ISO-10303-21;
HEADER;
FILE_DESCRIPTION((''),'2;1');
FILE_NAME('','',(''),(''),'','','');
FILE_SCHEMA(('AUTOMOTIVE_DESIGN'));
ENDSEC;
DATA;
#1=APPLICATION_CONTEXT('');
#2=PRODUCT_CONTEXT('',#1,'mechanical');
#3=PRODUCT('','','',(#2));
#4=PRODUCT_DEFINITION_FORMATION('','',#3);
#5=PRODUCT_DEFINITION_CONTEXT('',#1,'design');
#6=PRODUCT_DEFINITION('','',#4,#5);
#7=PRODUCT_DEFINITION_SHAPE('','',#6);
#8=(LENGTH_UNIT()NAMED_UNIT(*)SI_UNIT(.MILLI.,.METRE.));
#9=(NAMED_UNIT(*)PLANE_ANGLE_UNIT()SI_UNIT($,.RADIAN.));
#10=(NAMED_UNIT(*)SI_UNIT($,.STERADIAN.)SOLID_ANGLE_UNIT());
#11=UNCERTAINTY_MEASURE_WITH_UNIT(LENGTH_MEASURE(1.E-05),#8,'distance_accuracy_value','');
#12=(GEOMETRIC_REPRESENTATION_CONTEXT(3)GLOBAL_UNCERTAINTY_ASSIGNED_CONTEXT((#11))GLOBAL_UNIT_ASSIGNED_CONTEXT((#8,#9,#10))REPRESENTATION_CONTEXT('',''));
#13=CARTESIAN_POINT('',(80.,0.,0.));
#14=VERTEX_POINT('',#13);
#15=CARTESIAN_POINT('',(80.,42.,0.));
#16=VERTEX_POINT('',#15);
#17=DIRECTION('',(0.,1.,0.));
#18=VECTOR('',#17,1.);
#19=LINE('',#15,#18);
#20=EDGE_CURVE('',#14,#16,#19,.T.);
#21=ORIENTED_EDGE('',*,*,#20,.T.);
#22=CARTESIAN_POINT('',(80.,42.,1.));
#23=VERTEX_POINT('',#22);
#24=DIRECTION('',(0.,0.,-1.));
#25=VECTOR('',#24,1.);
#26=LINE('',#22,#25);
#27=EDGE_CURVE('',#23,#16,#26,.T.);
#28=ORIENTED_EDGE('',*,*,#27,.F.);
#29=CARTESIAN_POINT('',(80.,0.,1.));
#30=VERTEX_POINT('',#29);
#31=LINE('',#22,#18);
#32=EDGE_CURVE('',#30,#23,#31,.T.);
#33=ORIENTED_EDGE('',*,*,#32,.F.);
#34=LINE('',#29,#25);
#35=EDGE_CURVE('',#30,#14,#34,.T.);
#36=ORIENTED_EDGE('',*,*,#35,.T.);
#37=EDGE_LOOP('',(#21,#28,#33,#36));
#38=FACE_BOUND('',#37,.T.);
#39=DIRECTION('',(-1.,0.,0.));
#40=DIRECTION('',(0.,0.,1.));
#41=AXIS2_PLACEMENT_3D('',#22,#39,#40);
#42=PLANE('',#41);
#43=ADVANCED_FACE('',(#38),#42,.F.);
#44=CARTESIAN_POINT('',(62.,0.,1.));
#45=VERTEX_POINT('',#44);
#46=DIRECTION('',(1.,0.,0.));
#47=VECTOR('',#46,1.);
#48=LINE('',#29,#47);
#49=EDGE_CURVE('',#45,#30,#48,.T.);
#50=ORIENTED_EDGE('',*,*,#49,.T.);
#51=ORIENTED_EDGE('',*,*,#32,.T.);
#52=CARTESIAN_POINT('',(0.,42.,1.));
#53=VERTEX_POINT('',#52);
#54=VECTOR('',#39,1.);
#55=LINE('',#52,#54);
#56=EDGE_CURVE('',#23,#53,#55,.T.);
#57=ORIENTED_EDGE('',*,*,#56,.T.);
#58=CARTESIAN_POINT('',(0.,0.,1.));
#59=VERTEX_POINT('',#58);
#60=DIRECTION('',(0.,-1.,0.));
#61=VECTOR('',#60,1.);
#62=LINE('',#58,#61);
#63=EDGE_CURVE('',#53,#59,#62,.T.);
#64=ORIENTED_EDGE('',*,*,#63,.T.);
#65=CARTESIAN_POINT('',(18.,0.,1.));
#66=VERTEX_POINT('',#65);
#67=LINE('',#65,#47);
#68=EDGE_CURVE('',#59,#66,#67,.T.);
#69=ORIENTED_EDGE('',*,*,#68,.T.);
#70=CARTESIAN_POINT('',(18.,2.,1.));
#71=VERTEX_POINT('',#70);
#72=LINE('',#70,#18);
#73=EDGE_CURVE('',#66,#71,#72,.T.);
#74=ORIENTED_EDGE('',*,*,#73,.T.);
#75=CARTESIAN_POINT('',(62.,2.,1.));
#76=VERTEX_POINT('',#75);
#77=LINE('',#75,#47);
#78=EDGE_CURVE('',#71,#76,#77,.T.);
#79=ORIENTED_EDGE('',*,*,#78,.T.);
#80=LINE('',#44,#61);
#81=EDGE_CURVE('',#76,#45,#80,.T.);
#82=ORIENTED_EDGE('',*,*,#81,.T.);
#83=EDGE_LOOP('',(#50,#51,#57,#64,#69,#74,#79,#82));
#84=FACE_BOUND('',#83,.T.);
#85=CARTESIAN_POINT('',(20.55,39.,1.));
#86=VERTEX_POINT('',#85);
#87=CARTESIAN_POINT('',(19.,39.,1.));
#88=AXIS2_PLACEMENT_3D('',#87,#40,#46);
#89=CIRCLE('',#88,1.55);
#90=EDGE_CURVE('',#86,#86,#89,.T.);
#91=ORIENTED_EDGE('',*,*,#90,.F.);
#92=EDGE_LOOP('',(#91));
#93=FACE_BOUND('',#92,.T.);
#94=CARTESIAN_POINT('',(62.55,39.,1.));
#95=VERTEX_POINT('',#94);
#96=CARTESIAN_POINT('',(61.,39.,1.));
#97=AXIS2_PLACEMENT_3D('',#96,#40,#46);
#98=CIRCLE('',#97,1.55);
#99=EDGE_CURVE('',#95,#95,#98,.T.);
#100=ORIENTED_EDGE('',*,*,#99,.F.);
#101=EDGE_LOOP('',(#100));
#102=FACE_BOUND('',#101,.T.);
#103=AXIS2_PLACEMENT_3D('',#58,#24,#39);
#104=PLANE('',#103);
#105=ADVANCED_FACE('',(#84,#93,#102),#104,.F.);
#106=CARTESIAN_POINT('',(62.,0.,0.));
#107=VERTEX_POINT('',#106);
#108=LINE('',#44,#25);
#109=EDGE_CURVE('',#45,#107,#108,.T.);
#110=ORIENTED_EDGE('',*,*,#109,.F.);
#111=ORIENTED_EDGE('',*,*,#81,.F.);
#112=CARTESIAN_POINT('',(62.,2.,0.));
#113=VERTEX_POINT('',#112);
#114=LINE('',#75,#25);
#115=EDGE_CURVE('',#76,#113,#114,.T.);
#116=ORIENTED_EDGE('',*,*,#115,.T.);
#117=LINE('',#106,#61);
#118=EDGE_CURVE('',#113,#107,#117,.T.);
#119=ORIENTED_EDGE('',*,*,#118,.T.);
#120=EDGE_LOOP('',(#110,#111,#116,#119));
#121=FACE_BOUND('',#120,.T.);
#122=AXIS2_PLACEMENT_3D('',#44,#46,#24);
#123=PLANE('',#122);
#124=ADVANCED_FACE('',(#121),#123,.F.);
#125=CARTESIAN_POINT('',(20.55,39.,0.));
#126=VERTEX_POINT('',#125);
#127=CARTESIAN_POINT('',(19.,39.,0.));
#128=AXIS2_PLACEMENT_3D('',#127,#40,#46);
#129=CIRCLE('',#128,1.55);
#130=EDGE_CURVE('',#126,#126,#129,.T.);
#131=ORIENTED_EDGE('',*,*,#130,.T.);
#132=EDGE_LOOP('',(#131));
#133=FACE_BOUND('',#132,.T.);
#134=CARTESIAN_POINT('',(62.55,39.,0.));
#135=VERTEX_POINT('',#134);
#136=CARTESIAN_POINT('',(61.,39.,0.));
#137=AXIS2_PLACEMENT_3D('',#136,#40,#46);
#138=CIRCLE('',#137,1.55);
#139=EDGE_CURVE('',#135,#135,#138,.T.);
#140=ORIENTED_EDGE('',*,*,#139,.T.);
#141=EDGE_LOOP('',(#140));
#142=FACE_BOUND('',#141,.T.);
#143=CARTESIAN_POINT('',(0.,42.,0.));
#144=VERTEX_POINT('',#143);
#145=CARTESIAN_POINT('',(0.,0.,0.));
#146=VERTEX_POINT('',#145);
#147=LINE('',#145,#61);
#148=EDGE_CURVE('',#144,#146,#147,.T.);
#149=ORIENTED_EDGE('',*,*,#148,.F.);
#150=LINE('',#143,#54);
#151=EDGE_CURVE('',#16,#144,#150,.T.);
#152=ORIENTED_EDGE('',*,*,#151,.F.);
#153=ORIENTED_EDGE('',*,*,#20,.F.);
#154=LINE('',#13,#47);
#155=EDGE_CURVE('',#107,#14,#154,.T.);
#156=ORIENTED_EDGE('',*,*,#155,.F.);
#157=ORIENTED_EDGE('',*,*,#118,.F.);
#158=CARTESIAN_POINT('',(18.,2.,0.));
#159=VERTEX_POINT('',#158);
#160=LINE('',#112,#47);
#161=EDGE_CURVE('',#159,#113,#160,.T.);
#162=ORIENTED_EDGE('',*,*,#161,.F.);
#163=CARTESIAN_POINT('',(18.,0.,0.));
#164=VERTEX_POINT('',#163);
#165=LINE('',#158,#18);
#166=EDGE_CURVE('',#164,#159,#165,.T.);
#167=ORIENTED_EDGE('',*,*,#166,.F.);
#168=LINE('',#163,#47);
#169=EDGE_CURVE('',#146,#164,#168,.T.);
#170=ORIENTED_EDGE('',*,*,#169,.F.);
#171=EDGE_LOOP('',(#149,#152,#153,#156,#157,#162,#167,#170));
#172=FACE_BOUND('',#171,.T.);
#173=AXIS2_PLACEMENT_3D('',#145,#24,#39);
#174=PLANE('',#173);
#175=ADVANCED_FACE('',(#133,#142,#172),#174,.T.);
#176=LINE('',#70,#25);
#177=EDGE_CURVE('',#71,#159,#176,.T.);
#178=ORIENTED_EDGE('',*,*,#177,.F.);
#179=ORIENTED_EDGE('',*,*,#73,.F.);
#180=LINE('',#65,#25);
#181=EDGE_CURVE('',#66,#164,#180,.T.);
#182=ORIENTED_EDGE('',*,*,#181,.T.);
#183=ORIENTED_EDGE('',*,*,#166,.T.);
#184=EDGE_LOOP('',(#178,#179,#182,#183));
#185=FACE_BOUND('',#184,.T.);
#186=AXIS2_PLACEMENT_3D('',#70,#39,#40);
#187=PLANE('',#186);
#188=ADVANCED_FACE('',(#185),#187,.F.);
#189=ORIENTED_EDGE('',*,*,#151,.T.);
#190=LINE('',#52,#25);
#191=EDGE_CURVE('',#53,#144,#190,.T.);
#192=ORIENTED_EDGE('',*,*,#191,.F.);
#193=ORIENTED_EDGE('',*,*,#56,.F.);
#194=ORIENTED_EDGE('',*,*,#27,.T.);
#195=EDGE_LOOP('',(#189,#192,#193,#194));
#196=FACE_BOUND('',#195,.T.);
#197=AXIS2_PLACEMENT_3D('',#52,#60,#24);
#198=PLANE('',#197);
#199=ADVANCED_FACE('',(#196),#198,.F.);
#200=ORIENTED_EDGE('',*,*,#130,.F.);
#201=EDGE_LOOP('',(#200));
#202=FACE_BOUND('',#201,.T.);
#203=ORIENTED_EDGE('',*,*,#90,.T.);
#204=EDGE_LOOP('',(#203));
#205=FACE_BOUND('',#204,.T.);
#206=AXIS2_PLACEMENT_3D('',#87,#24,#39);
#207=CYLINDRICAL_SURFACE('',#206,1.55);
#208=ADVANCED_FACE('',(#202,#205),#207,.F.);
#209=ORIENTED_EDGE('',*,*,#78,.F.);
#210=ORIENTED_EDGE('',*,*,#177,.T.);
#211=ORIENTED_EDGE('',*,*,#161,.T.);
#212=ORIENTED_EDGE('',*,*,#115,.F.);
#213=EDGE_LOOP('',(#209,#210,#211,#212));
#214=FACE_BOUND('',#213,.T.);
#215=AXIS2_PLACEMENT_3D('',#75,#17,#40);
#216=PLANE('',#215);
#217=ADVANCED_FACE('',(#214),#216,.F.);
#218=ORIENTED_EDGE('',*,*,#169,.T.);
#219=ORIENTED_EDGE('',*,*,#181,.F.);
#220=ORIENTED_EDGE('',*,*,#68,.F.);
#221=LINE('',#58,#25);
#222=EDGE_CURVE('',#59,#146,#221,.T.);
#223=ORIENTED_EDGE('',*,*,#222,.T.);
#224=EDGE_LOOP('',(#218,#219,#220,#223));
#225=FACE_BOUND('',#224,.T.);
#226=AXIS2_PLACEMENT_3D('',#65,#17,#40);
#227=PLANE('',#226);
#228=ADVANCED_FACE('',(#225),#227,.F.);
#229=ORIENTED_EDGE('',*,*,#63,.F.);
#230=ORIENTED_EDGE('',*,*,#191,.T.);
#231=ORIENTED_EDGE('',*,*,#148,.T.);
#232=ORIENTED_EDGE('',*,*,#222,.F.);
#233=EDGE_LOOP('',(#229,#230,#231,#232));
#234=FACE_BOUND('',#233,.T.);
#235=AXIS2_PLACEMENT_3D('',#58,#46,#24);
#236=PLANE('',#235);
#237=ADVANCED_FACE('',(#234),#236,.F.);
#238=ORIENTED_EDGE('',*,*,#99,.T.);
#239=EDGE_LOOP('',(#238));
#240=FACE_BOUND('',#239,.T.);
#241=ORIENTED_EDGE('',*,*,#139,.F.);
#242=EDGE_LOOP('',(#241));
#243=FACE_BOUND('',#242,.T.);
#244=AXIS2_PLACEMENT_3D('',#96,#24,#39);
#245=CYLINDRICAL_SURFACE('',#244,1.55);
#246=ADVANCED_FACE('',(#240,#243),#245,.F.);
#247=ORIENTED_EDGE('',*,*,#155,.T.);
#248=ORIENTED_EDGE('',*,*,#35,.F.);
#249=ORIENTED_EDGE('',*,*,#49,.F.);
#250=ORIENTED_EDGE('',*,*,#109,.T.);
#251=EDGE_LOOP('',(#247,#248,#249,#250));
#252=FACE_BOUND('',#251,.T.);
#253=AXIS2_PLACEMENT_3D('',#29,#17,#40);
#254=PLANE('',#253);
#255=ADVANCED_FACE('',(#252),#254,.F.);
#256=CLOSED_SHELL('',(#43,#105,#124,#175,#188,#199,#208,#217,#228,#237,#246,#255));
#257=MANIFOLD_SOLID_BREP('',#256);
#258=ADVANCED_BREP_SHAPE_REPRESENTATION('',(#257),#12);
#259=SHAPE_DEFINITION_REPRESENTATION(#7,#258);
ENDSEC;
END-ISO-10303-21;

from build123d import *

# Parameters (mm, degrees)
SKETCH_1_R      = 1.55
EXTRUDE_1_DEPTH = 1


with BuildPart() as part:
    # 草图1 → 凸台-拉伸1 (new body)
    with BuildSketch(Plane.XY):
        Polygon((0, 0), (0, 42), (80, 42), (80, 0), (62, 0), (62, 2), (18, 2), (18, 0), align=None)
        with Locations((19, 39)):
            Circle(SKETCH_1_R, mode=Mode.SUBTRACT)
        with Locations((61, 39)):
            Circle(SKETCH_1_R, mode=Mode.SUBTRACT)
    extrude(amount=EXTRUDE_1_DEPTH)


solid = part.part
